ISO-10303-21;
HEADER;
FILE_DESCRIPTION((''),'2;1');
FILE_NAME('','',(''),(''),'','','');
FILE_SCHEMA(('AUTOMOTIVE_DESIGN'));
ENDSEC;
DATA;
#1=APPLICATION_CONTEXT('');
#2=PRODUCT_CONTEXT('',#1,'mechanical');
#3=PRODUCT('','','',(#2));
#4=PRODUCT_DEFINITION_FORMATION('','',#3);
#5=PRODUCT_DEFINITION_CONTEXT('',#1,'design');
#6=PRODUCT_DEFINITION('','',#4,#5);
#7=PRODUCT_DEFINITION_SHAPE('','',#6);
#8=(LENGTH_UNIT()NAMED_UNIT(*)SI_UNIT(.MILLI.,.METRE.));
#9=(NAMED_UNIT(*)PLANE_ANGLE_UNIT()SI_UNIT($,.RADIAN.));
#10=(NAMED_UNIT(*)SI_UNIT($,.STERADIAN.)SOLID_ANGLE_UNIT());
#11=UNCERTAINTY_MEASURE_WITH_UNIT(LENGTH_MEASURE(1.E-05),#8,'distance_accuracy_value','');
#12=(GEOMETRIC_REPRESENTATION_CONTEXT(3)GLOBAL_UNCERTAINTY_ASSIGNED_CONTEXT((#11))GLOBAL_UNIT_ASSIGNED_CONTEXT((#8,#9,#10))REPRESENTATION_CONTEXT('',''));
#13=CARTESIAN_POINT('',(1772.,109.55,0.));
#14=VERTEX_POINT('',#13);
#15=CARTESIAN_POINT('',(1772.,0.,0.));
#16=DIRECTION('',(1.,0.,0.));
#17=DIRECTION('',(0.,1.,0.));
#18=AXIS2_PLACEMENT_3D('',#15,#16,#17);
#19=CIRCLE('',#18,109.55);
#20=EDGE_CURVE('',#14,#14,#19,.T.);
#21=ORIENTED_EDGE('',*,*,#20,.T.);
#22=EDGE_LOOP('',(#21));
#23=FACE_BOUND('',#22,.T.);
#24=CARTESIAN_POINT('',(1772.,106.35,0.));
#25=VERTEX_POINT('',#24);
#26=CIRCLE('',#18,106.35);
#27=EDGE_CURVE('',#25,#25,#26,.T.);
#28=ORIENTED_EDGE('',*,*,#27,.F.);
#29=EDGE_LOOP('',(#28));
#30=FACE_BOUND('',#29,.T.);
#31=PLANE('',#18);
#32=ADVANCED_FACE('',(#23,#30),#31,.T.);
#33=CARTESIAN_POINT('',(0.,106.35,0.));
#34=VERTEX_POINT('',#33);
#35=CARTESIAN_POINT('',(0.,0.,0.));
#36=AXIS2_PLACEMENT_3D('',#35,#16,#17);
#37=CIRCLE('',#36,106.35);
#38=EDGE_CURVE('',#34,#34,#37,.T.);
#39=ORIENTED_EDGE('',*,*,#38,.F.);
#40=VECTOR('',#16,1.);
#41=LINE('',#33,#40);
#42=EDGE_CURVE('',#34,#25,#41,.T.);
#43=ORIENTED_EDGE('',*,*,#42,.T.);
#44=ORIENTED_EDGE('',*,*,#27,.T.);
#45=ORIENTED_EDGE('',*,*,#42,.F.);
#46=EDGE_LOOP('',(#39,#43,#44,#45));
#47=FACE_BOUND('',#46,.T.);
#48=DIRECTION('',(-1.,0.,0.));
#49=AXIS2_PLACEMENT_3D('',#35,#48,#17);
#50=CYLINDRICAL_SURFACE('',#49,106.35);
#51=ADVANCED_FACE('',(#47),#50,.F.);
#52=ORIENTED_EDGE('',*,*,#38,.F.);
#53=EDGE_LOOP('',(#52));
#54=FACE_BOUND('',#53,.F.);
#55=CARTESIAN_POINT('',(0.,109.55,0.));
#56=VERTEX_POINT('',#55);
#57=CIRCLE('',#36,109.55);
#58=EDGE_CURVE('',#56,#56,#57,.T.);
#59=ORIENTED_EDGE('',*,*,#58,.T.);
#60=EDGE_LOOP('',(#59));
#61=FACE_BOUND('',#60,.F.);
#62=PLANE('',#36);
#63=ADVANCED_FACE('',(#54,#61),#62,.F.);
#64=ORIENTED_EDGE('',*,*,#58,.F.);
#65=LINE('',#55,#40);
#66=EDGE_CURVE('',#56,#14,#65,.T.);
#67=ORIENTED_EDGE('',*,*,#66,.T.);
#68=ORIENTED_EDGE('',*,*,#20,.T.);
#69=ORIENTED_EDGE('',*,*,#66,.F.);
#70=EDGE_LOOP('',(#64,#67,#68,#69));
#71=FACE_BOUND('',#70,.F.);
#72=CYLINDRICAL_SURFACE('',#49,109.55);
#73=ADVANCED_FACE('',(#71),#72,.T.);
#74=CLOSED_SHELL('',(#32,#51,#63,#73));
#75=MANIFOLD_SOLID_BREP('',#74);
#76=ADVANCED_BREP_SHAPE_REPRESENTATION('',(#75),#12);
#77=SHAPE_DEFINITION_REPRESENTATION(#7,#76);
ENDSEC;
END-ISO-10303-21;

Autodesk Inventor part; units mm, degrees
ref_plane "YZ Plane" through (0, 0, 0) normal (1, 0, 0) x (0, 1, 0)
ref_plane "XZ Plane" through (0, 0, 0) normal (0, 1, 0) x (-1, 0, 0)
ref_plane "XY Plane" through (0, 0, 0) normal (0, 0, 1) x (1, 0, 0)
sketch "Sketch1" plane through (0, 0, 0) normal (1, 0, 0) x (0, 1, 0)
  circle A0 centre (0, 0) radius 109.55
  circle A1 centre (0, 0) radius 106.35
  dimension "d0" = 219.1
  dimension "d1" = 3.2
extrude "Extrusion1" add sketch "Sketch1" along normal blind 1772
equation "\"d0\" = OD"
equation "\"d1\" = t"
equation "\"d2\" = L"
equation "\"OD\" = 219.1"
equation "\"t\" = 3.2"
equation "\"L\" = PL"
equation "\"ID\" = 212.7"
equation "\"PL\" = 1772"
equation "\"Size_Designation\" = 1.2345"
properties material "Steel"
